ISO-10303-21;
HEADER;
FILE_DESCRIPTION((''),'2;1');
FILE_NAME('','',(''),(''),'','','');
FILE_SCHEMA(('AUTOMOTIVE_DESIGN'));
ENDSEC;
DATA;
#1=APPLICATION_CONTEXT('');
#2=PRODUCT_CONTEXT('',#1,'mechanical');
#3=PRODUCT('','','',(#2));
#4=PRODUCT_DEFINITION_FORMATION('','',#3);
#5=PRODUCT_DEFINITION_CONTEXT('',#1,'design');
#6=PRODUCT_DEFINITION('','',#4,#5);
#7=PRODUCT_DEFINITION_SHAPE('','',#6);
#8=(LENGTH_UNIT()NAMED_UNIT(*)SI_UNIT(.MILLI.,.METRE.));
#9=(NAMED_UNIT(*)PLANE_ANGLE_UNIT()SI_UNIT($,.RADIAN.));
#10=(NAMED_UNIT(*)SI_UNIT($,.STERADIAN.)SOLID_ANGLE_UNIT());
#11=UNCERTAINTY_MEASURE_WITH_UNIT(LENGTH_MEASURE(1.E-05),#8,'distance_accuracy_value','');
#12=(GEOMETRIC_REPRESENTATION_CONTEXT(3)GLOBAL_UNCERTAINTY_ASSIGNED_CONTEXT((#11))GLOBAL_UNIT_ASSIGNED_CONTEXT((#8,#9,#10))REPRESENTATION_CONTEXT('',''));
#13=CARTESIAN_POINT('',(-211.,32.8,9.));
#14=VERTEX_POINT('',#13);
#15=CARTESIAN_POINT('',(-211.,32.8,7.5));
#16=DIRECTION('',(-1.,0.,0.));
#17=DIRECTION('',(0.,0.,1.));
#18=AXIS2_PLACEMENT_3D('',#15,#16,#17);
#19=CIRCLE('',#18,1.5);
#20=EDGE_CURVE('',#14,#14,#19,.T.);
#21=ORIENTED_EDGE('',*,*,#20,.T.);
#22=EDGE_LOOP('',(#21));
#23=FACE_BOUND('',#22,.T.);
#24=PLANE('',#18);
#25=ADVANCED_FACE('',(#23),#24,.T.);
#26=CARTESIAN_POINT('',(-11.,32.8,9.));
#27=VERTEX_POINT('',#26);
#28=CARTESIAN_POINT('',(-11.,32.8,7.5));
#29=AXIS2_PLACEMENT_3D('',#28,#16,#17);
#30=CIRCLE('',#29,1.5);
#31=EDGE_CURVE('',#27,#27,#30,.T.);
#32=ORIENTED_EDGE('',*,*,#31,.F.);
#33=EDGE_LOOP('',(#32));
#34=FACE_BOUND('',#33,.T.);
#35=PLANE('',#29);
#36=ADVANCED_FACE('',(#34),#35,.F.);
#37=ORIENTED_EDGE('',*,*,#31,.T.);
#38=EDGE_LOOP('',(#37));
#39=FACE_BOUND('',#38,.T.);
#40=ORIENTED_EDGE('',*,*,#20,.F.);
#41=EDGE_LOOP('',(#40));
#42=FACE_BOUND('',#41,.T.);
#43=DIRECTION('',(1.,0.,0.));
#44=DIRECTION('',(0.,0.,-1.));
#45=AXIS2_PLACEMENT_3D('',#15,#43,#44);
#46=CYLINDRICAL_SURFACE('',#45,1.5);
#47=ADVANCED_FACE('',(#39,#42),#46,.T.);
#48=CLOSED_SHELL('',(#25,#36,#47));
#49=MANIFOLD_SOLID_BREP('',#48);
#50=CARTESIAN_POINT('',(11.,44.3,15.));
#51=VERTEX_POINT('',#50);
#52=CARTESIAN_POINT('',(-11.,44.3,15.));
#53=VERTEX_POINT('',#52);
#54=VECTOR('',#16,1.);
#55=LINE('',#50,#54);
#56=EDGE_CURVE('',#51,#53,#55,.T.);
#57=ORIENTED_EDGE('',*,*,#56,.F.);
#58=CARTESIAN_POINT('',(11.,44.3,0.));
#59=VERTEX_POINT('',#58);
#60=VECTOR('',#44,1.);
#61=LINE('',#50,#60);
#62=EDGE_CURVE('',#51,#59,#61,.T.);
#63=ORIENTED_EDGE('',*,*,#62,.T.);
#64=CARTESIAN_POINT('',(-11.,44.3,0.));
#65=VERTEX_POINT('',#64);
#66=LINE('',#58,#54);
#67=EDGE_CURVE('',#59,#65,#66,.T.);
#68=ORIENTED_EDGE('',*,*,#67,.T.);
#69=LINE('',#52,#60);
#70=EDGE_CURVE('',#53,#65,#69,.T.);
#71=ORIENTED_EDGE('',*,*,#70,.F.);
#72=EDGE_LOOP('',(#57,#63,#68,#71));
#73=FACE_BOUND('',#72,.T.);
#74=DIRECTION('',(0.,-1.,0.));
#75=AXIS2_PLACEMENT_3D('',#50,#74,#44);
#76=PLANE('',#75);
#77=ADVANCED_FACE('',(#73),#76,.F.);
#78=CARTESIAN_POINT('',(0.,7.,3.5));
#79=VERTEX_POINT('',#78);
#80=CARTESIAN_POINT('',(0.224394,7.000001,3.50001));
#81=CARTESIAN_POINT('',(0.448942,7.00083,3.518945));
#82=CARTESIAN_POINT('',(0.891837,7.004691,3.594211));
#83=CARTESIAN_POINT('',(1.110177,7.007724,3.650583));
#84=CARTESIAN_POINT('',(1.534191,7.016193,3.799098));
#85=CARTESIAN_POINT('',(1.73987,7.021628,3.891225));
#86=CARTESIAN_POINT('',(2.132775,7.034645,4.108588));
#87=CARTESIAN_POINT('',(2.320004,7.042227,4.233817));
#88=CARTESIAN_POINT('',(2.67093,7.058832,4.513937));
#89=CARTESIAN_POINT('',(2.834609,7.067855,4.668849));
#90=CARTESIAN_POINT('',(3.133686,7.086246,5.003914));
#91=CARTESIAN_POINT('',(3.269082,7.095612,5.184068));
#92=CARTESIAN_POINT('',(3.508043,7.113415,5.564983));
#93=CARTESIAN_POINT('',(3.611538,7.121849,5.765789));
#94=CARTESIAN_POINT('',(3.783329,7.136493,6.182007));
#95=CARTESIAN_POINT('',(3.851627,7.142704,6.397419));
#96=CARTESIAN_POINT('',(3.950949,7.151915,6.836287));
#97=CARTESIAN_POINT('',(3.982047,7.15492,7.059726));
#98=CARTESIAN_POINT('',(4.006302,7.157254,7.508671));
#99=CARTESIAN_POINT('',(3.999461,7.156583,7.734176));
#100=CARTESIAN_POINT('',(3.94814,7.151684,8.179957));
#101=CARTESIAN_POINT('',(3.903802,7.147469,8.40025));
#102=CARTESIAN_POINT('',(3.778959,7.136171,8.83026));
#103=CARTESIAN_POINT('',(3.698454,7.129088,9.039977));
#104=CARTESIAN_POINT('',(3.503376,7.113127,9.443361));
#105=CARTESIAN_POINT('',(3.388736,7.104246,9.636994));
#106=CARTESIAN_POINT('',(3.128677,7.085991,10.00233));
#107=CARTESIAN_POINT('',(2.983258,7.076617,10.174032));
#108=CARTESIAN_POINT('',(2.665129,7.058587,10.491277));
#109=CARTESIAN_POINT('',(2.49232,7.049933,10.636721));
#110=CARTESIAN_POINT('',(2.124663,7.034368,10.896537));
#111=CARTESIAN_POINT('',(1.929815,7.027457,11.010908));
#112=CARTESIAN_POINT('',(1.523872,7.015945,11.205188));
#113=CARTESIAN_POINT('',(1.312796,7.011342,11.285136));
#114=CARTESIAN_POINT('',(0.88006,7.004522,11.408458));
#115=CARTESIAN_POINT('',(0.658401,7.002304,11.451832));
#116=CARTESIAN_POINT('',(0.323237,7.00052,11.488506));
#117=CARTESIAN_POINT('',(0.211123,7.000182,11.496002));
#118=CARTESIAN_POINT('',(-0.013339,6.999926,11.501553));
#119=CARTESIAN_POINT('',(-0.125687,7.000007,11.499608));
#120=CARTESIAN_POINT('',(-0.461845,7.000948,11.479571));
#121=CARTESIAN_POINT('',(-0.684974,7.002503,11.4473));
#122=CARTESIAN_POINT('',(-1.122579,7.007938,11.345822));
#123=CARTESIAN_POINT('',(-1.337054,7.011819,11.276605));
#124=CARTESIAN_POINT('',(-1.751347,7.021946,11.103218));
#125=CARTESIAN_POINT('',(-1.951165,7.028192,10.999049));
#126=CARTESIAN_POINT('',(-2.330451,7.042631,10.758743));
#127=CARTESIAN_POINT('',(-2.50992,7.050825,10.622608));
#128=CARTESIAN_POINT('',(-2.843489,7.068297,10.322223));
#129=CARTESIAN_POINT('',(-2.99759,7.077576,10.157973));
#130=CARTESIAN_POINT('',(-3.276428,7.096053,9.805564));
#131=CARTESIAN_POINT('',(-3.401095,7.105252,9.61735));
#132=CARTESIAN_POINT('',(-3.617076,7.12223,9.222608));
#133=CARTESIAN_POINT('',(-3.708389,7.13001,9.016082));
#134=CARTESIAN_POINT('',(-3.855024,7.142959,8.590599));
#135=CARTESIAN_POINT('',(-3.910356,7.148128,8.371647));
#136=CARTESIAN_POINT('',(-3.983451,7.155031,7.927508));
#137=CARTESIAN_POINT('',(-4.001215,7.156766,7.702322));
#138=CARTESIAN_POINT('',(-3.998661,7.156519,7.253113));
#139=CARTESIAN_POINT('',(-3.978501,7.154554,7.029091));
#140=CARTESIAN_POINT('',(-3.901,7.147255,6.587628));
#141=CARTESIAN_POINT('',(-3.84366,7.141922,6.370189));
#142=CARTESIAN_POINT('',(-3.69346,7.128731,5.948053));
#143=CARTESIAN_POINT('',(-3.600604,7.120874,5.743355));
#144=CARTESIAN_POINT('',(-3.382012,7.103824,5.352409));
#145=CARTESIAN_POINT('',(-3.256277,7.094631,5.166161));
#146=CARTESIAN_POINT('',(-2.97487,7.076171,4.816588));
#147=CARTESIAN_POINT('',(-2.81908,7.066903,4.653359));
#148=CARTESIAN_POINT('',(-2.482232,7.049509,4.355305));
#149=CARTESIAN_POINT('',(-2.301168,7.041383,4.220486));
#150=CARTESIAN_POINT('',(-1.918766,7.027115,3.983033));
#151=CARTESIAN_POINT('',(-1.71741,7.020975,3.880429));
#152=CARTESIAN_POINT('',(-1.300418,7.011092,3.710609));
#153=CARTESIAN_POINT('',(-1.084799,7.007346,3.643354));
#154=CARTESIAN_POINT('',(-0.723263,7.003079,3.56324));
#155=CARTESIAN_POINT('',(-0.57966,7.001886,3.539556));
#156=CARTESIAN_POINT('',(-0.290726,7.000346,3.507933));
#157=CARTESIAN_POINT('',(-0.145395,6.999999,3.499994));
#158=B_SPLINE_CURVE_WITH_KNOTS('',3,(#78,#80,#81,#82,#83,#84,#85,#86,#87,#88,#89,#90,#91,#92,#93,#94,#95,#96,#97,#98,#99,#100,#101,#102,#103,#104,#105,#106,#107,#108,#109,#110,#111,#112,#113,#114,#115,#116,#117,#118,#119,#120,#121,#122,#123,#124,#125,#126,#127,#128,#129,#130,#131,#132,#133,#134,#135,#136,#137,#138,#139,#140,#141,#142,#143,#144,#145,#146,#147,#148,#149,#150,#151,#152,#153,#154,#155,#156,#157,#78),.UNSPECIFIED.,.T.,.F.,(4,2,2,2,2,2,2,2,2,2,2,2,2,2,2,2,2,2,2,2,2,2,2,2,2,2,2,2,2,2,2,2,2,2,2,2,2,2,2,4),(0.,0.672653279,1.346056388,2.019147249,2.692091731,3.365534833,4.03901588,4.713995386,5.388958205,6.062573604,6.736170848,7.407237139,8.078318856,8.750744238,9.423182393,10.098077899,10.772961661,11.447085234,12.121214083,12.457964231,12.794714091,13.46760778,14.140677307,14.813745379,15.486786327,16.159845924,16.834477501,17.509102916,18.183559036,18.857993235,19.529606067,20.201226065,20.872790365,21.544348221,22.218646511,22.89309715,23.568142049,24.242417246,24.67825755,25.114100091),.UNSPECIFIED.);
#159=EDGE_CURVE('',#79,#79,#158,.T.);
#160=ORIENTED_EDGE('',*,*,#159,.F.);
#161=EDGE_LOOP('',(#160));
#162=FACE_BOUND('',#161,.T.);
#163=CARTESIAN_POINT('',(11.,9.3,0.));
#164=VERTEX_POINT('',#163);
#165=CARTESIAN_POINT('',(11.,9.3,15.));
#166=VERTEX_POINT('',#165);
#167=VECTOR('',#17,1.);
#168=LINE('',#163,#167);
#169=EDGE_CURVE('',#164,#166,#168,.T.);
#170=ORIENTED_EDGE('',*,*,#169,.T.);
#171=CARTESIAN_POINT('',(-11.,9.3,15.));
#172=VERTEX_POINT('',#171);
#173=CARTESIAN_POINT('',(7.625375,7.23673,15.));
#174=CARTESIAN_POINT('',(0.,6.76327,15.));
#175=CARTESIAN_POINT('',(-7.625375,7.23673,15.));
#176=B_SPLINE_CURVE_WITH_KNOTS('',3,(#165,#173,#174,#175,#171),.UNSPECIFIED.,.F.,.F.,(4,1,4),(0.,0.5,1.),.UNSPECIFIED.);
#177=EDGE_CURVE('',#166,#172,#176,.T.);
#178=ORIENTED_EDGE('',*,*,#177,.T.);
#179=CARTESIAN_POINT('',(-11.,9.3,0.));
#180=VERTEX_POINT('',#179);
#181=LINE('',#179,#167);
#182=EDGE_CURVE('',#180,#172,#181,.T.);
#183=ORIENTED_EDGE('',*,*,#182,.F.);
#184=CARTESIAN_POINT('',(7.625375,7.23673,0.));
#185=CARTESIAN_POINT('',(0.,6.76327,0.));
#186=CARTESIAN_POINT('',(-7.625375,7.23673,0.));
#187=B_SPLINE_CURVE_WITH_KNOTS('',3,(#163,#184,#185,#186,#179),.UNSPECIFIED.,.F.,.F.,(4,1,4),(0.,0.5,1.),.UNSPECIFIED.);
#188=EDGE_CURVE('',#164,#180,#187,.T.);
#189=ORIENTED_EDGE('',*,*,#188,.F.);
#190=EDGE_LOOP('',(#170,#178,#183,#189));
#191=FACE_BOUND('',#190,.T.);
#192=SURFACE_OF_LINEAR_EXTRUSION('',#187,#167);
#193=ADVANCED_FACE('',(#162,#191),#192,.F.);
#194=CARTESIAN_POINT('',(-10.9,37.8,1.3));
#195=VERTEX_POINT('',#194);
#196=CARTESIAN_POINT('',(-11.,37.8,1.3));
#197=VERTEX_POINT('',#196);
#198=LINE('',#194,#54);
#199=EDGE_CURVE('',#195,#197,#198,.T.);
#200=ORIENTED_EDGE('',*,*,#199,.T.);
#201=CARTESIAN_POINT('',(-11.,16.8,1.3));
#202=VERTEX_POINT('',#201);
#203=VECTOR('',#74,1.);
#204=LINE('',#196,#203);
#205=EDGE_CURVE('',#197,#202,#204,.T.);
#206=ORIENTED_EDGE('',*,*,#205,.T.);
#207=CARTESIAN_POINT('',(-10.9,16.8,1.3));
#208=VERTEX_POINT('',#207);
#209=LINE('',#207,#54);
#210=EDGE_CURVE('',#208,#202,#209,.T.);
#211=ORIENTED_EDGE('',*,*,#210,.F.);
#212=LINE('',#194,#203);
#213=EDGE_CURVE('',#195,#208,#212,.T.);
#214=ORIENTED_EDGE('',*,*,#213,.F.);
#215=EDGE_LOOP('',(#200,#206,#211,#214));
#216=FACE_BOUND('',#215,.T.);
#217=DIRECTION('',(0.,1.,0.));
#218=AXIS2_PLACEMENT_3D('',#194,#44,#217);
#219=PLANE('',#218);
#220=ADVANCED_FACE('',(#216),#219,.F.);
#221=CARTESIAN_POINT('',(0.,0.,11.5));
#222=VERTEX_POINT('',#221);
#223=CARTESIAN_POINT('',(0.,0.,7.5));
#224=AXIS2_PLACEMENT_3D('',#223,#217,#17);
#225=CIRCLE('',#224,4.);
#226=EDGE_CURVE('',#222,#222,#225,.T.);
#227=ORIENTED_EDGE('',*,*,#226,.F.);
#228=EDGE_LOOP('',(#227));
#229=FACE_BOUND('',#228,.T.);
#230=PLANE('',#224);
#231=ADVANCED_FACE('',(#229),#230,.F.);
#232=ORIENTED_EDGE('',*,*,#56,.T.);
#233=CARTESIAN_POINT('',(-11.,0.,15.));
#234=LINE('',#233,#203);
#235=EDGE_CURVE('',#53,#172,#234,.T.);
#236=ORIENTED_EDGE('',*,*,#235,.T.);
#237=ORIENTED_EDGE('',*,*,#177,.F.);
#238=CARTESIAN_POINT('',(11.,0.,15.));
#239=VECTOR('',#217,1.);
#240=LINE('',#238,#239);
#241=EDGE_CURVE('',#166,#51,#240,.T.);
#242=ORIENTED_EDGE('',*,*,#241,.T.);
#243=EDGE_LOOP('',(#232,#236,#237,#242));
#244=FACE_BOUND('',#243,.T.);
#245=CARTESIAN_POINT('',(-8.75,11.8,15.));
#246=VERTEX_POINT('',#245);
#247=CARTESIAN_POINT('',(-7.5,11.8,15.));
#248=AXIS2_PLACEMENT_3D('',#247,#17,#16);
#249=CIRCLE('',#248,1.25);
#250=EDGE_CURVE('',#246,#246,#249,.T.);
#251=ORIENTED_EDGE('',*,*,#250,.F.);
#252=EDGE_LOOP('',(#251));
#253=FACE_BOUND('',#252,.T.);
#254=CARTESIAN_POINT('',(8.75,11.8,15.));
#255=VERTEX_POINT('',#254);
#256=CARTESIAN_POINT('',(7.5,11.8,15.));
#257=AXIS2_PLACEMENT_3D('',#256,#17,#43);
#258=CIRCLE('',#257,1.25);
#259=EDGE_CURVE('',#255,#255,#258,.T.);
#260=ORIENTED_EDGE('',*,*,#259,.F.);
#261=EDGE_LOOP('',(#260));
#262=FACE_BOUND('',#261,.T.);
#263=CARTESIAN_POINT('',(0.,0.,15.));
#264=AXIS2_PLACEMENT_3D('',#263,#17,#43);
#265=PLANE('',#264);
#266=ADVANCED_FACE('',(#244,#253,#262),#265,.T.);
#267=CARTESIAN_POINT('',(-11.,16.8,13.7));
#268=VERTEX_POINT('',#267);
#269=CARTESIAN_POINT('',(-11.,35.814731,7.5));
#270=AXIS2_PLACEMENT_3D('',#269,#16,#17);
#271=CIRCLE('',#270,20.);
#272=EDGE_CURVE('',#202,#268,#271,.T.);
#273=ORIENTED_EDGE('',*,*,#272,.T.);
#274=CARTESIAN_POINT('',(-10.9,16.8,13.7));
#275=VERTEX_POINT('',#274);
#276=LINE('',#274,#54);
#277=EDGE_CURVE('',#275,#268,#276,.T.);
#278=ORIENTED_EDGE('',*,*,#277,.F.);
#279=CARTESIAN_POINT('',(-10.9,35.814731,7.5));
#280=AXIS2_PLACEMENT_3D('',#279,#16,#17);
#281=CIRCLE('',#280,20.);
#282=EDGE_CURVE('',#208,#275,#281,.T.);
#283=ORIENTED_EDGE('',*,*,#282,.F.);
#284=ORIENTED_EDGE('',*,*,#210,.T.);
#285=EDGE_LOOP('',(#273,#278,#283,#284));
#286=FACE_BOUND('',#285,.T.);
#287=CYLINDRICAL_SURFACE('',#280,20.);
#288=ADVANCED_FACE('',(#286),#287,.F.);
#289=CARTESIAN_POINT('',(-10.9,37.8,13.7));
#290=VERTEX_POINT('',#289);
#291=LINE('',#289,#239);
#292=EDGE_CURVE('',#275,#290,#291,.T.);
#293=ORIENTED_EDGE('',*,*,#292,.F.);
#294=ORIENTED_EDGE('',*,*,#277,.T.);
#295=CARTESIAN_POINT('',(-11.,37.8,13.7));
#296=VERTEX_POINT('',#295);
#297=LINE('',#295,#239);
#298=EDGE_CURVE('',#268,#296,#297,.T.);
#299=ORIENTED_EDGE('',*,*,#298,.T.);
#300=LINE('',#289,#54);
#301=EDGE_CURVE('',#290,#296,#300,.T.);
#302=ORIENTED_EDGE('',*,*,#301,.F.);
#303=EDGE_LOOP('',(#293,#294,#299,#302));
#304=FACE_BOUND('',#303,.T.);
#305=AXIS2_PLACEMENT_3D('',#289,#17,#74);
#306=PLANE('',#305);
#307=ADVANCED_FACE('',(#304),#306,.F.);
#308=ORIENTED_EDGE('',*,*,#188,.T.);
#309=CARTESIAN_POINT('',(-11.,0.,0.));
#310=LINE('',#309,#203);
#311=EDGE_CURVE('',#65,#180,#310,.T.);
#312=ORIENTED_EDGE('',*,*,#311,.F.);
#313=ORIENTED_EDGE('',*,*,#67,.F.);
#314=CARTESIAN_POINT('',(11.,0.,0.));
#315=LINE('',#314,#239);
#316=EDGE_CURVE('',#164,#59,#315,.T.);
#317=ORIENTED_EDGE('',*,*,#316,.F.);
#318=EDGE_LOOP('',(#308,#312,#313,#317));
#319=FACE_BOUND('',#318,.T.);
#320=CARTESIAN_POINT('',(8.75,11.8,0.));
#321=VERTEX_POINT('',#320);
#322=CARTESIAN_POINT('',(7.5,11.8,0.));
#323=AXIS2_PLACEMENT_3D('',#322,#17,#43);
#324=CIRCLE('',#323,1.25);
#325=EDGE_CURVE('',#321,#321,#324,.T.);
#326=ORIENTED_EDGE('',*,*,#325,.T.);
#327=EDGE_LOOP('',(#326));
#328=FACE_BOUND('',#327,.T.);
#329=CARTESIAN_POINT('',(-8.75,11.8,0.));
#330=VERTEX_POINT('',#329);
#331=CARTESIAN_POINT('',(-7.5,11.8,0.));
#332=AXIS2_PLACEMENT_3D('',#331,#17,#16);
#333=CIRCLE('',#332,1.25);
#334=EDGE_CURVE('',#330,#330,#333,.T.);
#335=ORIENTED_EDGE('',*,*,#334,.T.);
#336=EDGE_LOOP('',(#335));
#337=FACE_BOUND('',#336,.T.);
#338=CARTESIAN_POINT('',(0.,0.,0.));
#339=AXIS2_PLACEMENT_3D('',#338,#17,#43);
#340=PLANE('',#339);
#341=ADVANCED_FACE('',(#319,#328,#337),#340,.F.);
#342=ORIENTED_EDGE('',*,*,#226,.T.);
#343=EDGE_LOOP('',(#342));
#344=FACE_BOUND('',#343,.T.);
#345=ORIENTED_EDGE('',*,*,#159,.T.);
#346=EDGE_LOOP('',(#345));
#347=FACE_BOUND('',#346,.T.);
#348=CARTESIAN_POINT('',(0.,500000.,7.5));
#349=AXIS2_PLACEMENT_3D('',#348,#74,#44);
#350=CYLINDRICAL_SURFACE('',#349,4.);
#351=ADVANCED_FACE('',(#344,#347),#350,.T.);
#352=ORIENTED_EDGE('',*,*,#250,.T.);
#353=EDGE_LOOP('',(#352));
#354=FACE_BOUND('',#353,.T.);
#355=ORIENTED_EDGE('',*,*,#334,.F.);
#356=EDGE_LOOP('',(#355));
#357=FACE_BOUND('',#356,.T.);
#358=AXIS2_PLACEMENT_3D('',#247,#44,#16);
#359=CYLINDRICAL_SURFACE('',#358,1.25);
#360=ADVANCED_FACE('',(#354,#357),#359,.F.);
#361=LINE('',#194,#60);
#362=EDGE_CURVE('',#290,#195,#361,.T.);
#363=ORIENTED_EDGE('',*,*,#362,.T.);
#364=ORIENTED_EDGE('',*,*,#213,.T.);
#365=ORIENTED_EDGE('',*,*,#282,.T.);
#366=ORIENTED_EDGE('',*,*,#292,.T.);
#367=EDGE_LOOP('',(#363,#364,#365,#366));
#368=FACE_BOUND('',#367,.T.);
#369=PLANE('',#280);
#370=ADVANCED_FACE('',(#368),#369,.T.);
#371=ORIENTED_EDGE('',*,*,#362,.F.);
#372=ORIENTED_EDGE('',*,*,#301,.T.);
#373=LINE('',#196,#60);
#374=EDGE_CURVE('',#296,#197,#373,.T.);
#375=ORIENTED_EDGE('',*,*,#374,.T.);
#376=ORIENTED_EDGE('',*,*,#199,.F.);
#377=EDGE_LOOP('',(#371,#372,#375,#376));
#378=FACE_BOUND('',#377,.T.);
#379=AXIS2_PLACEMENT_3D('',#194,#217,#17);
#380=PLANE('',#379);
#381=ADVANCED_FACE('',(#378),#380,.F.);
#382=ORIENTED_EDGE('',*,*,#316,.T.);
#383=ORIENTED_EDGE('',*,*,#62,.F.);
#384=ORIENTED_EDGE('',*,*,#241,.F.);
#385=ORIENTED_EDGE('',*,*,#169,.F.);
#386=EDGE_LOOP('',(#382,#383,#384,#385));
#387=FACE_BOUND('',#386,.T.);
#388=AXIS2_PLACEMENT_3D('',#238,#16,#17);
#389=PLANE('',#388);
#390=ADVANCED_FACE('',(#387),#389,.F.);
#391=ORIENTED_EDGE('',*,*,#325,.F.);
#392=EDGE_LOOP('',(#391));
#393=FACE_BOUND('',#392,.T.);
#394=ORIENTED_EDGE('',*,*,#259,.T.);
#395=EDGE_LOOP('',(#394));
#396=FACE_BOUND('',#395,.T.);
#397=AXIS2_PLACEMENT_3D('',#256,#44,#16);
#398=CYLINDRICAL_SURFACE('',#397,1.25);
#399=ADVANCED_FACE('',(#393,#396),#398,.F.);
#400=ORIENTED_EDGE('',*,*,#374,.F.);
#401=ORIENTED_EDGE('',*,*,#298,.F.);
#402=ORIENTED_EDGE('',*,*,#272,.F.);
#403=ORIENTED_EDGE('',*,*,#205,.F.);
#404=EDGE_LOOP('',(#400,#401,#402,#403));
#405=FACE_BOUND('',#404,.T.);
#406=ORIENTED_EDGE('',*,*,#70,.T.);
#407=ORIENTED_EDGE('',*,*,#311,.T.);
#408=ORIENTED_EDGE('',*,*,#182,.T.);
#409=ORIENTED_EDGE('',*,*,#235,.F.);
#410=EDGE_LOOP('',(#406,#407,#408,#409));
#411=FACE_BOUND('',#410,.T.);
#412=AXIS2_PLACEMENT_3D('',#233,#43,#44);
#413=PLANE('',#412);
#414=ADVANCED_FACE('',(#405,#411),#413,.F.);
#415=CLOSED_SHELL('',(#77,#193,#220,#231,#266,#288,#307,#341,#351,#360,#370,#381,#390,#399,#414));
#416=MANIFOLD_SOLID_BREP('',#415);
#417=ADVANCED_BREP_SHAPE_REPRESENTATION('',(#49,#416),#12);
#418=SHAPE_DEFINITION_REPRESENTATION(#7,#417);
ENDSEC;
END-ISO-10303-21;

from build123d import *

# Parameters (mm, degrees)
ESQUISSE1_W             = 22
ESQUISSE1_H             = 44.3
ESQUISSE1_R             = 1.25
BOSS_EXTRU_1_DEPTH      = 15
ENL_V_MAT_EXTRU_1_DEPTH = 49.046748069
BOSS_EXTRU_2_REACH      = 50.047
ESQUISSE3_R             = 4
ENL_V_MAT_EXTRU_2_DEPTH = 0.1
ESQUISSE5_R             = 1.5
BOSS_EXTRU_3_DEPTH      = 200


with BuildPart() as part:
    # Esquisse1 → Boss.-Extru.1 (new body)
    with BuildSketch(Plane.XY):
        with Locations((0, 22.15)):
            Rectangle(ESQUISSE1_W, ESQUISSE1_H)
        with Locations((7.5, 11.8)):
            Circle(ESQUISSE1_R, mode=Mode.SUBTRACT)
        with Locations(Location((-7.5, 11.8, 0), (0, 0, 180))):
            Circle(ESQUISSE1_R, mode=Mode.SUBTRACT)
    extrude(amount=BOSS_EXTRU_1_DEPTH)

    # Esquisse2 → Enlèv. mat.-Extru.1 (cut, through all)
    with BuildSketch(Plane.XY.offset(15)):
        with BuildLine():
            Line((-11, 9.3), (-11, 0))
            Line((-11, 0), (11, 0))
            Line((11, 0), (11, 9.3))
            add(Edge.make_bspline(
                [(-11, 9.3), (-7.625374572, 7.236730077), (0, 6.763269923), (7.625374572, 7.236730077), (11, 9.3)],
                knots=[0, 0, 0, 0, 0.5, 1, 1, 1, 1], degree=3))
        make_face()
    extrude(amount=-ENL_V_MAT_EXTRU_1_DEPTH, mode=Mode.SUBTRACT)

    # Esquisse3 → Boss.-Extru.2 (add, up to next)
    with BuildSketch(Plane(origin=(0, 0, 0), x_dir=(1, 0, 0), z_dir=(0, 1, 0)), mode=Mode.PRIVATE) as boss_extru_2_sk1:
        with Locations(Location((0, -7.5, 0), (0, 0, 90))):
            Circle(ESQUISSE3_R)
    boss_extru_2_tool1 = extrude(boss_extru_2_sk1.sketch, amount=BOSS_EXTRU_2_REACH, mode=Mode.PRIVATE) - part.part
    add(boss_extru_2_tool1.solids().sort_by_distance((0, 0, 7.5))[0])

    # Esquisse4 → Enlèv. mat.-Extru.2 (cut)
    with BuildSketch(Plane.ZY.offset(11)):
        with BuildLine():
            Line((1.3, 37.8), (13.7, 37.8))
            Line((13.7, 37.8), (13.7, 16.8))
            ThreePointArc((13.7, 16.8), (7.5, 15.814731131), (1.3, 16.8))
            Line((1.3, 16.8), (1.3, 37.8))
        make_face()
    extrude(amount=-ENL_V_MAT_EXTRU_2_DEPTH, mode=Mode.SUBTRACT)


with BuildPart() as body_2:
    # Esquisse5 → Boss.-Extru.3 (new body)
    with BuildSketch(Plane.ZY.offset(11)):
        with Locations((7.5, 32.8)):
            Circle(ESQUISSE5_R)
    extrude(amount=BOSS_EXTRU_3_DEPTH)


solid = Compound([part.part, body_2.part])
